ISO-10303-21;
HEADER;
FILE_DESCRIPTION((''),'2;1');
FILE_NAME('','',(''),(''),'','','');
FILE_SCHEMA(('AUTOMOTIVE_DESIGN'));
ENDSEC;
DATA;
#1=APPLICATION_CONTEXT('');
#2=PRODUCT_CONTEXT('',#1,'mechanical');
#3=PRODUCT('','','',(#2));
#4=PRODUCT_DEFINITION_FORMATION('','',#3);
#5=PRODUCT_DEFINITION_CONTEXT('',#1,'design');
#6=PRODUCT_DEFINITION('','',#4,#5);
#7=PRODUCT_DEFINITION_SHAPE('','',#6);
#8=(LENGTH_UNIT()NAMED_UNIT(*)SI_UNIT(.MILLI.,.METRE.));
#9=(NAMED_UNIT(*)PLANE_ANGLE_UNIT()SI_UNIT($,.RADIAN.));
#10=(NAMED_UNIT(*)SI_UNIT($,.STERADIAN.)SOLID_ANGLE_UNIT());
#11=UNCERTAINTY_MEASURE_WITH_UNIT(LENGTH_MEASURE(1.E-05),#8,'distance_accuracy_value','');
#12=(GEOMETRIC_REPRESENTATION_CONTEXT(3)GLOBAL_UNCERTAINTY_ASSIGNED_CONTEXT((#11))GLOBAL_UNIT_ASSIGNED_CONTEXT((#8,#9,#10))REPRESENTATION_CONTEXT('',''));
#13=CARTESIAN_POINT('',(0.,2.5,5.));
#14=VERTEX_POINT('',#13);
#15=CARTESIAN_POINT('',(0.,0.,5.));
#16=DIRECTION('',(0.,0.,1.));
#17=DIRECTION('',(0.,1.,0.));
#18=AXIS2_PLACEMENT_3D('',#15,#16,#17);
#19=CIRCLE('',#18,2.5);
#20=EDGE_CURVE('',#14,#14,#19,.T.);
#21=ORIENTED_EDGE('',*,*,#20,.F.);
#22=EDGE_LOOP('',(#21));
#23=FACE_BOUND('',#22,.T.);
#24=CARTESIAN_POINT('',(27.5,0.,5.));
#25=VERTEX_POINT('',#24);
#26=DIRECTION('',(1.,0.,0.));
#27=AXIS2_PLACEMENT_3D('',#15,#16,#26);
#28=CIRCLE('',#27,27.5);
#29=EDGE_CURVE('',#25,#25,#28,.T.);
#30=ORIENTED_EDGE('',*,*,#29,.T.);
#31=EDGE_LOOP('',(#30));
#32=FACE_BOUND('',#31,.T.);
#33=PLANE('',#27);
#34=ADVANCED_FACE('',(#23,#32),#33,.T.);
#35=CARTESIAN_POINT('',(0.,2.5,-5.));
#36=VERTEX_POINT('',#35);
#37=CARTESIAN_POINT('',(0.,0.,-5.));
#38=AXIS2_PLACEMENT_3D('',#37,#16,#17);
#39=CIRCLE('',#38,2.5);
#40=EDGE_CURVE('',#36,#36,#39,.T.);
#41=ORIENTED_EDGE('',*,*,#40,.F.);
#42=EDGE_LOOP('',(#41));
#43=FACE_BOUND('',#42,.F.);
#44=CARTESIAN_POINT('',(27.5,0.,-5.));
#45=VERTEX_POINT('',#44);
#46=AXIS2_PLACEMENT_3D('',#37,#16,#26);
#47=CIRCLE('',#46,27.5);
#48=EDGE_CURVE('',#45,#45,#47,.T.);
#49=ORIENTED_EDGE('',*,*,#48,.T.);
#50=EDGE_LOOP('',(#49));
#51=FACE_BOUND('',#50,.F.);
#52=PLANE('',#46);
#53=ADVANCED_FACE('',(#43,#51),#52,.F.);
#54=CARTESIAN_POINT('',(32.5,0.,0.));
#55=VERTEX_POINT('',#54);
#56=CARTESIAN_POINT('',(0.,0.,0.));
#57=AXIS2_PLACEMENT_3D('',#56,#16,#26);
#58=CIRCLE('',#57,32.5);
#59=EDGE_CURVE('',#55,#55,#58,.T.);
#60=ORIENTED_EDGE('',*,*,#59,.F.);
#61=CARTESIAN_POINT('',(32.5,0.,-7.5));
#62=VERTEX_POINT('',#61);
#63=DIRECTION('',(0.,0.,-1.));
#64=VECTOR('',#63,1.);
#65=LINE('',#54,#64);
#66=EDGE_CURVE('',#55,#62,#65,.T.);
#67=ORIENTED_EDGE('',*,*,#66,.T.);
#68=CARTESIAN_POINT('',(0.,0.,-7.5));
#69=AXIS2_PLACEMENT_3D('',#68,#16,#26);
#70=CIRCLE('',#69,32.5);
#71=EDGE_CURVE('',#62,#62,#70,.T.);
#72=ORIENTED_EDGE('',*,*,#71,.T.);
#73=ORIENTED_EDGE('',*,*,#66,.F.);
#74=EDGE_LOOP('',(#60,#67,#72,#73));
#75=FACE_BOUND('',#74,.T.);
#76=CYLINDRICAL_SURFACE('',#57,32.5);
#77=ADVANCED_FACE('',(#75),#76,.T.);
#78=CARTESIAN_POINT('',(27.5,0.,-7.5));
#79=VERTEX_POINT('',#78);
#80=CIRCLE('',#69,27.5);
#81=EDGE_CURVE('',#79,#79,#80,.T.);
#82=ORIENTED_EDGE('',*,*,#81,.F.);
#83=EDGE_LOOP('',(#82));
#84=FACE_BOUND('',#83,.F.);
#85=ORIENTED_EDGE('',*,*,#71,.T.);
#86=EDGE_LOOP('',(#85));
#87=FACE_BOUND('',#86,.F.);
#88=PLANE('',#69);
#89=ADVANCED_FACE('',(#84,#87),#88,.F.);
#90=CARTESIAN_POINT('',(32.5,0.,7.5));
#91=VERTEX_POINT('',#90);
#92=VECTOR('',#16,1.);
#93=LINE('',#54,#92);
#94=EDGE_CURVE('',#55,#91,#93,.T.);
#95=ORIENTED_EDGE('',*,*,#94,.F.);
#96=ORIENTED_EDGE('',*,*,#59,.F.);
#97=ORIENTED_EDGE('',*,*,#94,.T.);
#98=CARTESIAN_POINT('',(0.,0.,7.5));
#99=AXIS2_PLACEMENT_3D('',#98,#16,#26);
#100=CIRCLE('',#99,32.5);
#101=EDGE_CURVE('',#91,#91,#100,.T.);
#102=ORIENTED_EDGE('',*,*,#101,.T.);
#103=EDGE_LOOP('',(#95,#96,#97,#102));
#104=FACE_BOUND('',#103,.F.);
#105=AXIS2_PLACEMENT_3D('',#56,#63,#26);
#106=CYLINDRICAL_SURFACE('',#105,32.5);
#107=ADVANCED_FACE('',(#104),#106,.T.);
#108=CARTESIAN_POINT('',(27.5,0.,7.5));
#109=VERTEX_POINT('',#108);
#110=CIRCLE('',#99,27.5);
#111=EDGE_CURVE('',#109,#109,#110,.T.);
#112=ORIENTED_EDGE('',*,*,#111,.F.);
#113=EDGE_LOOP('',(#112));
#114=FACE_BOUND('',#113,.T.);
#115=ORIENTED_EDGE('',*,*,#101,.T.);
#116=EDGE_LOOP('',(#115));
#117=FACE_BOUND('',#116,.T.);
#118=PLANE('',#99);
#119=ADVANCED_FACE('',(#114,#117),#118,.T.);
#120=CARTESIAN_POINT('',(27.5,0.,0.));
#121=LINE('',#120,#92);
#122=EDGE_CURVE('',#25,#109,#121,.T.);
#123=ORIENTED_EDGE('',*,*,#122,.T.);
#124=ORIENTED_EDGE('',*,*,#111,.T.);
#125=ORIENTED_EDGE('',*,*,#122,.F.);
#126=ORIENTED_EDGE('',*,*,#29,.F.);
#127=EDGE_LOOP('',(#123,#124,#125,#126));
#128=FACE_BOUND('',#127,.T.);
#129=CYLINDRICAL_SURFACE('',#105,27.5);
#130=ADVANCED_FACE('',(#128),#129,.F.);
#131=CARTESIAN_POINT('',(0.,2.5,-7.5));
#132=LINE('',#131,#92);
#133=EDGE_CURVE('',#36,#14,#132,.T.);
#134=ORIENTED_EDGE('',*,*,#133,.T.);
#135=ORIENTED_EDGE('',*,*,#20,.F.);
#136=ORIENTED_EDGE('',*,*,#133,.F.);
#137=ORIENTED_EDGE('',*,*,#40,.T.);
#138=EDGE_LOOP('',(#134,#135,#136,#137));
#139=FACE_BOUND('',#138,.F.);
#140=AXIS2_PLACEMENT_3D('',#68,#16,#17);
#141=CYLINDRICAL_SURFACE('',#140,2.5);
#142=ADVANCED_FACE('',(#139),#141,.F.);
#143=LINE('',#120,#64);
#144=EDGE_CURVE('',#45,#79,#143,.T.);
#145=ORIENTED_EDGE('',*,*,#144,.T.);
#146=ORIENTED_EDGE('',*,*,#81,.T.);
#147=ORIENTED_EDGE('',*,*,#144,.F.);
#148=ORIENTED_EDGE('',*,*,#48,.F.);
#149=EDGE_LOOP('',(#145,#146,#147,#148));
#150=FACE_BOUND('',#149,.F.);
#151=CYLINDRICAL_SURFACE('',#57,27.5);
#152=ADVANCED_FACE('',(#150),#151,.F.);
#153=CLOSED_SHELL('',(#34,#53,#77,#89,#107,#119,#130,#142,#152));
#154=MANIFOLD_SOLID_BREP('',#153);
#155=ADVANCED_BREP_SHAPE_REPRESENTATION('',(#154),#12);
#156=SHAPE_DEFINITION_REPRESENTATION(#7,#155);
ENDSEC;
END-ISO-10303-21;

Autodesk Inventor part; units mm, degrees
ref_plane "YZ Plane" through (0, 0, 0) normal (1, 0, 0) x (0, 1, 0)
ref_plane "XZ Plane" through (0, 0, 0) normal (0, 1, 0) x (-1, 0, 0)
ref_plane "XY Plane" through (0, 0, 0) normal (0, 0, 1) x (1, 0, 0)
sketch "Szkic1" plane through (0, 0, 0) normal (0, 0, 1) x (1, 0, 0)
  circle A0 centre (0, 0) radius 27.5
  dimension "d0" = 55
extrude "Wyciągnięcie proste1" add sketch "Szkic1" along normal mid plane 10
sketch "Szkic3" plane through (0, 0, 0) normal (0, 0, 1) x (1, 0, 0)
  circle A0 centre (0, 0) radius 32.5
  circle A1 centre (0, 0) radius 27.5
  dimension "d4" = 65
  dimension "d5" = 55
extrude "Wyciągnięcie proste2" add sketch "Szkic3" along normal mid plane 15
sketch "Szkic4" plane through (0, 0, -7.5) normal (0, 0, -1) x (-1, 0, 0)
  point P0 (0, 0)
  point P1 (0, 0)
hole "Otwór1" at (0, 0, -7.5) direction (0, 0, 1) diameter 5 end through all
properties part number "Koło" material "Tworzywo sztuczne PET"
